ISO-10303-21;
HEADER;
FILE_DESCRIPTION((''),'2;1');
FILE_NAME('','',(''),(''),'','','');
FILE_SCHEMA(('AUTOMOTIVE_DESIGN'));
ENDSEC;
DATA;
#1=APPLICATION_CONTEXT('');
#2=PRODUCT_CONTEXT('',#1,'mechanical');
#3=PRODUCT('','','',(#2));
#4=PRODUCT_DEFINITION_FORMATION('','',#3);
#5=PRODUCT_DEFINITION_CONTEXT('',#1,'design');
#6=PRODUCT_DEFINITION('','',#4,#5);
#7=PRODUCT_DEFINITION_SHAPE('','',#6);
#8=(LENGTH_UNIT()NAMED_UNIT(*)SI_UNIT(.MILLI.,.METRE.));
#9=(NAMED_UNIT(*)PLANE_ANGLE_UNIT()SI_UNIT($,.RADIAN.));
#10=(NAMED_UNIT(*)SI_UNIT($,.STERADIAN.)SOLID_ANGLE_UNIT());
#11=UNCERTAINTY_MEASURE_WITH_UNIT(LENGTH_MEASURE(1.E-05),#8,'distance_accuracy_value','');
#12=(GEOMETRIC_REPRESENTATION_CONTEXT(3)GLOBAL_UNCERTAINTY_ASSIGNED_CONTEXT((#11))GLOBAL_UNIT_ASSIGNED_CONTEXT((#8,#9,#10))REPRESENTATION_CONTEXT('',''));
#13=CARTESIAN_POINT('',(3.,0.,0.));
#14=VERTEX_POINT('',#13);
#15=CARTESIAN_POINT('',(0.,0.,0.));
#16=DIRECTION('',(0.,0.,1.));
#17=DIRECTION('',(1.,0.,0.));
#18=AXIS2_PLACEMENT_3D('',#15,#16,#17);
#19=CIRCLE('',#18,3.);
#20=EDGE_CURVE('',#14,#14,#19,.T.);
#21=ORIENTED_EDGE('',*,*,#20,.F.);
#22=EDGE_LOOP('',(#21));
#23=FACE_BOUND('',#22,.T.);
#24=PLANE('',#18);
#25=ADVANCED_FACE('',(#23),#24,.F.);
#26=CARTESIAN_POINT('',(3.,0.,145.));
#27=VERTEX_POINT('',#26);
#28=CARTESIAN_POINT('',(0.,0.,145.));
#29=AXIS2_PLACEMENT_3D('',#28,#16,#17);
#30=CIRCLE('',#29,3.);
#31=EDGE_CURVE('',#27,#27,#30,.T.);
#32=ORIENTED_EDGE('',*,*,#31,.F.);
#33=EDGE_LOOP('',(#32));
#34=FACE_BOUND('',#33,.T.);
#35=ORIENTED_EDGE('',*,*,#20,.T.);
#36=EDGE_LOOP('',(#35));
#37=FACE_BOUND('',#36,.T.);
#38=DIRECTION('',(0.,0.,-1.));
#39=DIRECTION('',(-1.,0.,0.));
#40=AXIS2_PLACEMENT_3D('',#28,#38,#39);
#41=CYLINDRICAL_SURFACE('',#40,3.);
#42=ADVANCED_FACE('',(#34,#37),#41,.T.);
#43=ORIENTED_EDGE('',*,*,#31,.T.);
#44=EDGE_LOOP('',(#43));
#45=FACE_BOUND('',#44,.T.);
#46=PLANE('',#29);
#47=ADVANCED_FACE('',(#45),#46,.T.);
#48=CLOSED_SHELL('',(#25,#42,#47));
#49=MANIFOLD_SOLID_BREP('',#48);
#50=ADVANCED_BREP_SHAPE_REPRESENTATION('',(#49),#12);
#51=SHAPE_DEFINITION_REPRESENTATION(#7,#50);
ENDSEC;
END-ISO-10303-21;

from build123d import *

# Parameters (mm, degrees)
ESQUISSE1_R        = 3
BOSS_EXTRU_1_DEPTH = 145


with BuildPart() as part:
    # Esquisse1 → Boss.-Extru.1 (new body)
    with BuildSketch(Plane.XY):
        Circle(ESQUISSE1_R)
    extrude(amount=BOSS_EXTRU_1_DEPTH)


solid = part.part
